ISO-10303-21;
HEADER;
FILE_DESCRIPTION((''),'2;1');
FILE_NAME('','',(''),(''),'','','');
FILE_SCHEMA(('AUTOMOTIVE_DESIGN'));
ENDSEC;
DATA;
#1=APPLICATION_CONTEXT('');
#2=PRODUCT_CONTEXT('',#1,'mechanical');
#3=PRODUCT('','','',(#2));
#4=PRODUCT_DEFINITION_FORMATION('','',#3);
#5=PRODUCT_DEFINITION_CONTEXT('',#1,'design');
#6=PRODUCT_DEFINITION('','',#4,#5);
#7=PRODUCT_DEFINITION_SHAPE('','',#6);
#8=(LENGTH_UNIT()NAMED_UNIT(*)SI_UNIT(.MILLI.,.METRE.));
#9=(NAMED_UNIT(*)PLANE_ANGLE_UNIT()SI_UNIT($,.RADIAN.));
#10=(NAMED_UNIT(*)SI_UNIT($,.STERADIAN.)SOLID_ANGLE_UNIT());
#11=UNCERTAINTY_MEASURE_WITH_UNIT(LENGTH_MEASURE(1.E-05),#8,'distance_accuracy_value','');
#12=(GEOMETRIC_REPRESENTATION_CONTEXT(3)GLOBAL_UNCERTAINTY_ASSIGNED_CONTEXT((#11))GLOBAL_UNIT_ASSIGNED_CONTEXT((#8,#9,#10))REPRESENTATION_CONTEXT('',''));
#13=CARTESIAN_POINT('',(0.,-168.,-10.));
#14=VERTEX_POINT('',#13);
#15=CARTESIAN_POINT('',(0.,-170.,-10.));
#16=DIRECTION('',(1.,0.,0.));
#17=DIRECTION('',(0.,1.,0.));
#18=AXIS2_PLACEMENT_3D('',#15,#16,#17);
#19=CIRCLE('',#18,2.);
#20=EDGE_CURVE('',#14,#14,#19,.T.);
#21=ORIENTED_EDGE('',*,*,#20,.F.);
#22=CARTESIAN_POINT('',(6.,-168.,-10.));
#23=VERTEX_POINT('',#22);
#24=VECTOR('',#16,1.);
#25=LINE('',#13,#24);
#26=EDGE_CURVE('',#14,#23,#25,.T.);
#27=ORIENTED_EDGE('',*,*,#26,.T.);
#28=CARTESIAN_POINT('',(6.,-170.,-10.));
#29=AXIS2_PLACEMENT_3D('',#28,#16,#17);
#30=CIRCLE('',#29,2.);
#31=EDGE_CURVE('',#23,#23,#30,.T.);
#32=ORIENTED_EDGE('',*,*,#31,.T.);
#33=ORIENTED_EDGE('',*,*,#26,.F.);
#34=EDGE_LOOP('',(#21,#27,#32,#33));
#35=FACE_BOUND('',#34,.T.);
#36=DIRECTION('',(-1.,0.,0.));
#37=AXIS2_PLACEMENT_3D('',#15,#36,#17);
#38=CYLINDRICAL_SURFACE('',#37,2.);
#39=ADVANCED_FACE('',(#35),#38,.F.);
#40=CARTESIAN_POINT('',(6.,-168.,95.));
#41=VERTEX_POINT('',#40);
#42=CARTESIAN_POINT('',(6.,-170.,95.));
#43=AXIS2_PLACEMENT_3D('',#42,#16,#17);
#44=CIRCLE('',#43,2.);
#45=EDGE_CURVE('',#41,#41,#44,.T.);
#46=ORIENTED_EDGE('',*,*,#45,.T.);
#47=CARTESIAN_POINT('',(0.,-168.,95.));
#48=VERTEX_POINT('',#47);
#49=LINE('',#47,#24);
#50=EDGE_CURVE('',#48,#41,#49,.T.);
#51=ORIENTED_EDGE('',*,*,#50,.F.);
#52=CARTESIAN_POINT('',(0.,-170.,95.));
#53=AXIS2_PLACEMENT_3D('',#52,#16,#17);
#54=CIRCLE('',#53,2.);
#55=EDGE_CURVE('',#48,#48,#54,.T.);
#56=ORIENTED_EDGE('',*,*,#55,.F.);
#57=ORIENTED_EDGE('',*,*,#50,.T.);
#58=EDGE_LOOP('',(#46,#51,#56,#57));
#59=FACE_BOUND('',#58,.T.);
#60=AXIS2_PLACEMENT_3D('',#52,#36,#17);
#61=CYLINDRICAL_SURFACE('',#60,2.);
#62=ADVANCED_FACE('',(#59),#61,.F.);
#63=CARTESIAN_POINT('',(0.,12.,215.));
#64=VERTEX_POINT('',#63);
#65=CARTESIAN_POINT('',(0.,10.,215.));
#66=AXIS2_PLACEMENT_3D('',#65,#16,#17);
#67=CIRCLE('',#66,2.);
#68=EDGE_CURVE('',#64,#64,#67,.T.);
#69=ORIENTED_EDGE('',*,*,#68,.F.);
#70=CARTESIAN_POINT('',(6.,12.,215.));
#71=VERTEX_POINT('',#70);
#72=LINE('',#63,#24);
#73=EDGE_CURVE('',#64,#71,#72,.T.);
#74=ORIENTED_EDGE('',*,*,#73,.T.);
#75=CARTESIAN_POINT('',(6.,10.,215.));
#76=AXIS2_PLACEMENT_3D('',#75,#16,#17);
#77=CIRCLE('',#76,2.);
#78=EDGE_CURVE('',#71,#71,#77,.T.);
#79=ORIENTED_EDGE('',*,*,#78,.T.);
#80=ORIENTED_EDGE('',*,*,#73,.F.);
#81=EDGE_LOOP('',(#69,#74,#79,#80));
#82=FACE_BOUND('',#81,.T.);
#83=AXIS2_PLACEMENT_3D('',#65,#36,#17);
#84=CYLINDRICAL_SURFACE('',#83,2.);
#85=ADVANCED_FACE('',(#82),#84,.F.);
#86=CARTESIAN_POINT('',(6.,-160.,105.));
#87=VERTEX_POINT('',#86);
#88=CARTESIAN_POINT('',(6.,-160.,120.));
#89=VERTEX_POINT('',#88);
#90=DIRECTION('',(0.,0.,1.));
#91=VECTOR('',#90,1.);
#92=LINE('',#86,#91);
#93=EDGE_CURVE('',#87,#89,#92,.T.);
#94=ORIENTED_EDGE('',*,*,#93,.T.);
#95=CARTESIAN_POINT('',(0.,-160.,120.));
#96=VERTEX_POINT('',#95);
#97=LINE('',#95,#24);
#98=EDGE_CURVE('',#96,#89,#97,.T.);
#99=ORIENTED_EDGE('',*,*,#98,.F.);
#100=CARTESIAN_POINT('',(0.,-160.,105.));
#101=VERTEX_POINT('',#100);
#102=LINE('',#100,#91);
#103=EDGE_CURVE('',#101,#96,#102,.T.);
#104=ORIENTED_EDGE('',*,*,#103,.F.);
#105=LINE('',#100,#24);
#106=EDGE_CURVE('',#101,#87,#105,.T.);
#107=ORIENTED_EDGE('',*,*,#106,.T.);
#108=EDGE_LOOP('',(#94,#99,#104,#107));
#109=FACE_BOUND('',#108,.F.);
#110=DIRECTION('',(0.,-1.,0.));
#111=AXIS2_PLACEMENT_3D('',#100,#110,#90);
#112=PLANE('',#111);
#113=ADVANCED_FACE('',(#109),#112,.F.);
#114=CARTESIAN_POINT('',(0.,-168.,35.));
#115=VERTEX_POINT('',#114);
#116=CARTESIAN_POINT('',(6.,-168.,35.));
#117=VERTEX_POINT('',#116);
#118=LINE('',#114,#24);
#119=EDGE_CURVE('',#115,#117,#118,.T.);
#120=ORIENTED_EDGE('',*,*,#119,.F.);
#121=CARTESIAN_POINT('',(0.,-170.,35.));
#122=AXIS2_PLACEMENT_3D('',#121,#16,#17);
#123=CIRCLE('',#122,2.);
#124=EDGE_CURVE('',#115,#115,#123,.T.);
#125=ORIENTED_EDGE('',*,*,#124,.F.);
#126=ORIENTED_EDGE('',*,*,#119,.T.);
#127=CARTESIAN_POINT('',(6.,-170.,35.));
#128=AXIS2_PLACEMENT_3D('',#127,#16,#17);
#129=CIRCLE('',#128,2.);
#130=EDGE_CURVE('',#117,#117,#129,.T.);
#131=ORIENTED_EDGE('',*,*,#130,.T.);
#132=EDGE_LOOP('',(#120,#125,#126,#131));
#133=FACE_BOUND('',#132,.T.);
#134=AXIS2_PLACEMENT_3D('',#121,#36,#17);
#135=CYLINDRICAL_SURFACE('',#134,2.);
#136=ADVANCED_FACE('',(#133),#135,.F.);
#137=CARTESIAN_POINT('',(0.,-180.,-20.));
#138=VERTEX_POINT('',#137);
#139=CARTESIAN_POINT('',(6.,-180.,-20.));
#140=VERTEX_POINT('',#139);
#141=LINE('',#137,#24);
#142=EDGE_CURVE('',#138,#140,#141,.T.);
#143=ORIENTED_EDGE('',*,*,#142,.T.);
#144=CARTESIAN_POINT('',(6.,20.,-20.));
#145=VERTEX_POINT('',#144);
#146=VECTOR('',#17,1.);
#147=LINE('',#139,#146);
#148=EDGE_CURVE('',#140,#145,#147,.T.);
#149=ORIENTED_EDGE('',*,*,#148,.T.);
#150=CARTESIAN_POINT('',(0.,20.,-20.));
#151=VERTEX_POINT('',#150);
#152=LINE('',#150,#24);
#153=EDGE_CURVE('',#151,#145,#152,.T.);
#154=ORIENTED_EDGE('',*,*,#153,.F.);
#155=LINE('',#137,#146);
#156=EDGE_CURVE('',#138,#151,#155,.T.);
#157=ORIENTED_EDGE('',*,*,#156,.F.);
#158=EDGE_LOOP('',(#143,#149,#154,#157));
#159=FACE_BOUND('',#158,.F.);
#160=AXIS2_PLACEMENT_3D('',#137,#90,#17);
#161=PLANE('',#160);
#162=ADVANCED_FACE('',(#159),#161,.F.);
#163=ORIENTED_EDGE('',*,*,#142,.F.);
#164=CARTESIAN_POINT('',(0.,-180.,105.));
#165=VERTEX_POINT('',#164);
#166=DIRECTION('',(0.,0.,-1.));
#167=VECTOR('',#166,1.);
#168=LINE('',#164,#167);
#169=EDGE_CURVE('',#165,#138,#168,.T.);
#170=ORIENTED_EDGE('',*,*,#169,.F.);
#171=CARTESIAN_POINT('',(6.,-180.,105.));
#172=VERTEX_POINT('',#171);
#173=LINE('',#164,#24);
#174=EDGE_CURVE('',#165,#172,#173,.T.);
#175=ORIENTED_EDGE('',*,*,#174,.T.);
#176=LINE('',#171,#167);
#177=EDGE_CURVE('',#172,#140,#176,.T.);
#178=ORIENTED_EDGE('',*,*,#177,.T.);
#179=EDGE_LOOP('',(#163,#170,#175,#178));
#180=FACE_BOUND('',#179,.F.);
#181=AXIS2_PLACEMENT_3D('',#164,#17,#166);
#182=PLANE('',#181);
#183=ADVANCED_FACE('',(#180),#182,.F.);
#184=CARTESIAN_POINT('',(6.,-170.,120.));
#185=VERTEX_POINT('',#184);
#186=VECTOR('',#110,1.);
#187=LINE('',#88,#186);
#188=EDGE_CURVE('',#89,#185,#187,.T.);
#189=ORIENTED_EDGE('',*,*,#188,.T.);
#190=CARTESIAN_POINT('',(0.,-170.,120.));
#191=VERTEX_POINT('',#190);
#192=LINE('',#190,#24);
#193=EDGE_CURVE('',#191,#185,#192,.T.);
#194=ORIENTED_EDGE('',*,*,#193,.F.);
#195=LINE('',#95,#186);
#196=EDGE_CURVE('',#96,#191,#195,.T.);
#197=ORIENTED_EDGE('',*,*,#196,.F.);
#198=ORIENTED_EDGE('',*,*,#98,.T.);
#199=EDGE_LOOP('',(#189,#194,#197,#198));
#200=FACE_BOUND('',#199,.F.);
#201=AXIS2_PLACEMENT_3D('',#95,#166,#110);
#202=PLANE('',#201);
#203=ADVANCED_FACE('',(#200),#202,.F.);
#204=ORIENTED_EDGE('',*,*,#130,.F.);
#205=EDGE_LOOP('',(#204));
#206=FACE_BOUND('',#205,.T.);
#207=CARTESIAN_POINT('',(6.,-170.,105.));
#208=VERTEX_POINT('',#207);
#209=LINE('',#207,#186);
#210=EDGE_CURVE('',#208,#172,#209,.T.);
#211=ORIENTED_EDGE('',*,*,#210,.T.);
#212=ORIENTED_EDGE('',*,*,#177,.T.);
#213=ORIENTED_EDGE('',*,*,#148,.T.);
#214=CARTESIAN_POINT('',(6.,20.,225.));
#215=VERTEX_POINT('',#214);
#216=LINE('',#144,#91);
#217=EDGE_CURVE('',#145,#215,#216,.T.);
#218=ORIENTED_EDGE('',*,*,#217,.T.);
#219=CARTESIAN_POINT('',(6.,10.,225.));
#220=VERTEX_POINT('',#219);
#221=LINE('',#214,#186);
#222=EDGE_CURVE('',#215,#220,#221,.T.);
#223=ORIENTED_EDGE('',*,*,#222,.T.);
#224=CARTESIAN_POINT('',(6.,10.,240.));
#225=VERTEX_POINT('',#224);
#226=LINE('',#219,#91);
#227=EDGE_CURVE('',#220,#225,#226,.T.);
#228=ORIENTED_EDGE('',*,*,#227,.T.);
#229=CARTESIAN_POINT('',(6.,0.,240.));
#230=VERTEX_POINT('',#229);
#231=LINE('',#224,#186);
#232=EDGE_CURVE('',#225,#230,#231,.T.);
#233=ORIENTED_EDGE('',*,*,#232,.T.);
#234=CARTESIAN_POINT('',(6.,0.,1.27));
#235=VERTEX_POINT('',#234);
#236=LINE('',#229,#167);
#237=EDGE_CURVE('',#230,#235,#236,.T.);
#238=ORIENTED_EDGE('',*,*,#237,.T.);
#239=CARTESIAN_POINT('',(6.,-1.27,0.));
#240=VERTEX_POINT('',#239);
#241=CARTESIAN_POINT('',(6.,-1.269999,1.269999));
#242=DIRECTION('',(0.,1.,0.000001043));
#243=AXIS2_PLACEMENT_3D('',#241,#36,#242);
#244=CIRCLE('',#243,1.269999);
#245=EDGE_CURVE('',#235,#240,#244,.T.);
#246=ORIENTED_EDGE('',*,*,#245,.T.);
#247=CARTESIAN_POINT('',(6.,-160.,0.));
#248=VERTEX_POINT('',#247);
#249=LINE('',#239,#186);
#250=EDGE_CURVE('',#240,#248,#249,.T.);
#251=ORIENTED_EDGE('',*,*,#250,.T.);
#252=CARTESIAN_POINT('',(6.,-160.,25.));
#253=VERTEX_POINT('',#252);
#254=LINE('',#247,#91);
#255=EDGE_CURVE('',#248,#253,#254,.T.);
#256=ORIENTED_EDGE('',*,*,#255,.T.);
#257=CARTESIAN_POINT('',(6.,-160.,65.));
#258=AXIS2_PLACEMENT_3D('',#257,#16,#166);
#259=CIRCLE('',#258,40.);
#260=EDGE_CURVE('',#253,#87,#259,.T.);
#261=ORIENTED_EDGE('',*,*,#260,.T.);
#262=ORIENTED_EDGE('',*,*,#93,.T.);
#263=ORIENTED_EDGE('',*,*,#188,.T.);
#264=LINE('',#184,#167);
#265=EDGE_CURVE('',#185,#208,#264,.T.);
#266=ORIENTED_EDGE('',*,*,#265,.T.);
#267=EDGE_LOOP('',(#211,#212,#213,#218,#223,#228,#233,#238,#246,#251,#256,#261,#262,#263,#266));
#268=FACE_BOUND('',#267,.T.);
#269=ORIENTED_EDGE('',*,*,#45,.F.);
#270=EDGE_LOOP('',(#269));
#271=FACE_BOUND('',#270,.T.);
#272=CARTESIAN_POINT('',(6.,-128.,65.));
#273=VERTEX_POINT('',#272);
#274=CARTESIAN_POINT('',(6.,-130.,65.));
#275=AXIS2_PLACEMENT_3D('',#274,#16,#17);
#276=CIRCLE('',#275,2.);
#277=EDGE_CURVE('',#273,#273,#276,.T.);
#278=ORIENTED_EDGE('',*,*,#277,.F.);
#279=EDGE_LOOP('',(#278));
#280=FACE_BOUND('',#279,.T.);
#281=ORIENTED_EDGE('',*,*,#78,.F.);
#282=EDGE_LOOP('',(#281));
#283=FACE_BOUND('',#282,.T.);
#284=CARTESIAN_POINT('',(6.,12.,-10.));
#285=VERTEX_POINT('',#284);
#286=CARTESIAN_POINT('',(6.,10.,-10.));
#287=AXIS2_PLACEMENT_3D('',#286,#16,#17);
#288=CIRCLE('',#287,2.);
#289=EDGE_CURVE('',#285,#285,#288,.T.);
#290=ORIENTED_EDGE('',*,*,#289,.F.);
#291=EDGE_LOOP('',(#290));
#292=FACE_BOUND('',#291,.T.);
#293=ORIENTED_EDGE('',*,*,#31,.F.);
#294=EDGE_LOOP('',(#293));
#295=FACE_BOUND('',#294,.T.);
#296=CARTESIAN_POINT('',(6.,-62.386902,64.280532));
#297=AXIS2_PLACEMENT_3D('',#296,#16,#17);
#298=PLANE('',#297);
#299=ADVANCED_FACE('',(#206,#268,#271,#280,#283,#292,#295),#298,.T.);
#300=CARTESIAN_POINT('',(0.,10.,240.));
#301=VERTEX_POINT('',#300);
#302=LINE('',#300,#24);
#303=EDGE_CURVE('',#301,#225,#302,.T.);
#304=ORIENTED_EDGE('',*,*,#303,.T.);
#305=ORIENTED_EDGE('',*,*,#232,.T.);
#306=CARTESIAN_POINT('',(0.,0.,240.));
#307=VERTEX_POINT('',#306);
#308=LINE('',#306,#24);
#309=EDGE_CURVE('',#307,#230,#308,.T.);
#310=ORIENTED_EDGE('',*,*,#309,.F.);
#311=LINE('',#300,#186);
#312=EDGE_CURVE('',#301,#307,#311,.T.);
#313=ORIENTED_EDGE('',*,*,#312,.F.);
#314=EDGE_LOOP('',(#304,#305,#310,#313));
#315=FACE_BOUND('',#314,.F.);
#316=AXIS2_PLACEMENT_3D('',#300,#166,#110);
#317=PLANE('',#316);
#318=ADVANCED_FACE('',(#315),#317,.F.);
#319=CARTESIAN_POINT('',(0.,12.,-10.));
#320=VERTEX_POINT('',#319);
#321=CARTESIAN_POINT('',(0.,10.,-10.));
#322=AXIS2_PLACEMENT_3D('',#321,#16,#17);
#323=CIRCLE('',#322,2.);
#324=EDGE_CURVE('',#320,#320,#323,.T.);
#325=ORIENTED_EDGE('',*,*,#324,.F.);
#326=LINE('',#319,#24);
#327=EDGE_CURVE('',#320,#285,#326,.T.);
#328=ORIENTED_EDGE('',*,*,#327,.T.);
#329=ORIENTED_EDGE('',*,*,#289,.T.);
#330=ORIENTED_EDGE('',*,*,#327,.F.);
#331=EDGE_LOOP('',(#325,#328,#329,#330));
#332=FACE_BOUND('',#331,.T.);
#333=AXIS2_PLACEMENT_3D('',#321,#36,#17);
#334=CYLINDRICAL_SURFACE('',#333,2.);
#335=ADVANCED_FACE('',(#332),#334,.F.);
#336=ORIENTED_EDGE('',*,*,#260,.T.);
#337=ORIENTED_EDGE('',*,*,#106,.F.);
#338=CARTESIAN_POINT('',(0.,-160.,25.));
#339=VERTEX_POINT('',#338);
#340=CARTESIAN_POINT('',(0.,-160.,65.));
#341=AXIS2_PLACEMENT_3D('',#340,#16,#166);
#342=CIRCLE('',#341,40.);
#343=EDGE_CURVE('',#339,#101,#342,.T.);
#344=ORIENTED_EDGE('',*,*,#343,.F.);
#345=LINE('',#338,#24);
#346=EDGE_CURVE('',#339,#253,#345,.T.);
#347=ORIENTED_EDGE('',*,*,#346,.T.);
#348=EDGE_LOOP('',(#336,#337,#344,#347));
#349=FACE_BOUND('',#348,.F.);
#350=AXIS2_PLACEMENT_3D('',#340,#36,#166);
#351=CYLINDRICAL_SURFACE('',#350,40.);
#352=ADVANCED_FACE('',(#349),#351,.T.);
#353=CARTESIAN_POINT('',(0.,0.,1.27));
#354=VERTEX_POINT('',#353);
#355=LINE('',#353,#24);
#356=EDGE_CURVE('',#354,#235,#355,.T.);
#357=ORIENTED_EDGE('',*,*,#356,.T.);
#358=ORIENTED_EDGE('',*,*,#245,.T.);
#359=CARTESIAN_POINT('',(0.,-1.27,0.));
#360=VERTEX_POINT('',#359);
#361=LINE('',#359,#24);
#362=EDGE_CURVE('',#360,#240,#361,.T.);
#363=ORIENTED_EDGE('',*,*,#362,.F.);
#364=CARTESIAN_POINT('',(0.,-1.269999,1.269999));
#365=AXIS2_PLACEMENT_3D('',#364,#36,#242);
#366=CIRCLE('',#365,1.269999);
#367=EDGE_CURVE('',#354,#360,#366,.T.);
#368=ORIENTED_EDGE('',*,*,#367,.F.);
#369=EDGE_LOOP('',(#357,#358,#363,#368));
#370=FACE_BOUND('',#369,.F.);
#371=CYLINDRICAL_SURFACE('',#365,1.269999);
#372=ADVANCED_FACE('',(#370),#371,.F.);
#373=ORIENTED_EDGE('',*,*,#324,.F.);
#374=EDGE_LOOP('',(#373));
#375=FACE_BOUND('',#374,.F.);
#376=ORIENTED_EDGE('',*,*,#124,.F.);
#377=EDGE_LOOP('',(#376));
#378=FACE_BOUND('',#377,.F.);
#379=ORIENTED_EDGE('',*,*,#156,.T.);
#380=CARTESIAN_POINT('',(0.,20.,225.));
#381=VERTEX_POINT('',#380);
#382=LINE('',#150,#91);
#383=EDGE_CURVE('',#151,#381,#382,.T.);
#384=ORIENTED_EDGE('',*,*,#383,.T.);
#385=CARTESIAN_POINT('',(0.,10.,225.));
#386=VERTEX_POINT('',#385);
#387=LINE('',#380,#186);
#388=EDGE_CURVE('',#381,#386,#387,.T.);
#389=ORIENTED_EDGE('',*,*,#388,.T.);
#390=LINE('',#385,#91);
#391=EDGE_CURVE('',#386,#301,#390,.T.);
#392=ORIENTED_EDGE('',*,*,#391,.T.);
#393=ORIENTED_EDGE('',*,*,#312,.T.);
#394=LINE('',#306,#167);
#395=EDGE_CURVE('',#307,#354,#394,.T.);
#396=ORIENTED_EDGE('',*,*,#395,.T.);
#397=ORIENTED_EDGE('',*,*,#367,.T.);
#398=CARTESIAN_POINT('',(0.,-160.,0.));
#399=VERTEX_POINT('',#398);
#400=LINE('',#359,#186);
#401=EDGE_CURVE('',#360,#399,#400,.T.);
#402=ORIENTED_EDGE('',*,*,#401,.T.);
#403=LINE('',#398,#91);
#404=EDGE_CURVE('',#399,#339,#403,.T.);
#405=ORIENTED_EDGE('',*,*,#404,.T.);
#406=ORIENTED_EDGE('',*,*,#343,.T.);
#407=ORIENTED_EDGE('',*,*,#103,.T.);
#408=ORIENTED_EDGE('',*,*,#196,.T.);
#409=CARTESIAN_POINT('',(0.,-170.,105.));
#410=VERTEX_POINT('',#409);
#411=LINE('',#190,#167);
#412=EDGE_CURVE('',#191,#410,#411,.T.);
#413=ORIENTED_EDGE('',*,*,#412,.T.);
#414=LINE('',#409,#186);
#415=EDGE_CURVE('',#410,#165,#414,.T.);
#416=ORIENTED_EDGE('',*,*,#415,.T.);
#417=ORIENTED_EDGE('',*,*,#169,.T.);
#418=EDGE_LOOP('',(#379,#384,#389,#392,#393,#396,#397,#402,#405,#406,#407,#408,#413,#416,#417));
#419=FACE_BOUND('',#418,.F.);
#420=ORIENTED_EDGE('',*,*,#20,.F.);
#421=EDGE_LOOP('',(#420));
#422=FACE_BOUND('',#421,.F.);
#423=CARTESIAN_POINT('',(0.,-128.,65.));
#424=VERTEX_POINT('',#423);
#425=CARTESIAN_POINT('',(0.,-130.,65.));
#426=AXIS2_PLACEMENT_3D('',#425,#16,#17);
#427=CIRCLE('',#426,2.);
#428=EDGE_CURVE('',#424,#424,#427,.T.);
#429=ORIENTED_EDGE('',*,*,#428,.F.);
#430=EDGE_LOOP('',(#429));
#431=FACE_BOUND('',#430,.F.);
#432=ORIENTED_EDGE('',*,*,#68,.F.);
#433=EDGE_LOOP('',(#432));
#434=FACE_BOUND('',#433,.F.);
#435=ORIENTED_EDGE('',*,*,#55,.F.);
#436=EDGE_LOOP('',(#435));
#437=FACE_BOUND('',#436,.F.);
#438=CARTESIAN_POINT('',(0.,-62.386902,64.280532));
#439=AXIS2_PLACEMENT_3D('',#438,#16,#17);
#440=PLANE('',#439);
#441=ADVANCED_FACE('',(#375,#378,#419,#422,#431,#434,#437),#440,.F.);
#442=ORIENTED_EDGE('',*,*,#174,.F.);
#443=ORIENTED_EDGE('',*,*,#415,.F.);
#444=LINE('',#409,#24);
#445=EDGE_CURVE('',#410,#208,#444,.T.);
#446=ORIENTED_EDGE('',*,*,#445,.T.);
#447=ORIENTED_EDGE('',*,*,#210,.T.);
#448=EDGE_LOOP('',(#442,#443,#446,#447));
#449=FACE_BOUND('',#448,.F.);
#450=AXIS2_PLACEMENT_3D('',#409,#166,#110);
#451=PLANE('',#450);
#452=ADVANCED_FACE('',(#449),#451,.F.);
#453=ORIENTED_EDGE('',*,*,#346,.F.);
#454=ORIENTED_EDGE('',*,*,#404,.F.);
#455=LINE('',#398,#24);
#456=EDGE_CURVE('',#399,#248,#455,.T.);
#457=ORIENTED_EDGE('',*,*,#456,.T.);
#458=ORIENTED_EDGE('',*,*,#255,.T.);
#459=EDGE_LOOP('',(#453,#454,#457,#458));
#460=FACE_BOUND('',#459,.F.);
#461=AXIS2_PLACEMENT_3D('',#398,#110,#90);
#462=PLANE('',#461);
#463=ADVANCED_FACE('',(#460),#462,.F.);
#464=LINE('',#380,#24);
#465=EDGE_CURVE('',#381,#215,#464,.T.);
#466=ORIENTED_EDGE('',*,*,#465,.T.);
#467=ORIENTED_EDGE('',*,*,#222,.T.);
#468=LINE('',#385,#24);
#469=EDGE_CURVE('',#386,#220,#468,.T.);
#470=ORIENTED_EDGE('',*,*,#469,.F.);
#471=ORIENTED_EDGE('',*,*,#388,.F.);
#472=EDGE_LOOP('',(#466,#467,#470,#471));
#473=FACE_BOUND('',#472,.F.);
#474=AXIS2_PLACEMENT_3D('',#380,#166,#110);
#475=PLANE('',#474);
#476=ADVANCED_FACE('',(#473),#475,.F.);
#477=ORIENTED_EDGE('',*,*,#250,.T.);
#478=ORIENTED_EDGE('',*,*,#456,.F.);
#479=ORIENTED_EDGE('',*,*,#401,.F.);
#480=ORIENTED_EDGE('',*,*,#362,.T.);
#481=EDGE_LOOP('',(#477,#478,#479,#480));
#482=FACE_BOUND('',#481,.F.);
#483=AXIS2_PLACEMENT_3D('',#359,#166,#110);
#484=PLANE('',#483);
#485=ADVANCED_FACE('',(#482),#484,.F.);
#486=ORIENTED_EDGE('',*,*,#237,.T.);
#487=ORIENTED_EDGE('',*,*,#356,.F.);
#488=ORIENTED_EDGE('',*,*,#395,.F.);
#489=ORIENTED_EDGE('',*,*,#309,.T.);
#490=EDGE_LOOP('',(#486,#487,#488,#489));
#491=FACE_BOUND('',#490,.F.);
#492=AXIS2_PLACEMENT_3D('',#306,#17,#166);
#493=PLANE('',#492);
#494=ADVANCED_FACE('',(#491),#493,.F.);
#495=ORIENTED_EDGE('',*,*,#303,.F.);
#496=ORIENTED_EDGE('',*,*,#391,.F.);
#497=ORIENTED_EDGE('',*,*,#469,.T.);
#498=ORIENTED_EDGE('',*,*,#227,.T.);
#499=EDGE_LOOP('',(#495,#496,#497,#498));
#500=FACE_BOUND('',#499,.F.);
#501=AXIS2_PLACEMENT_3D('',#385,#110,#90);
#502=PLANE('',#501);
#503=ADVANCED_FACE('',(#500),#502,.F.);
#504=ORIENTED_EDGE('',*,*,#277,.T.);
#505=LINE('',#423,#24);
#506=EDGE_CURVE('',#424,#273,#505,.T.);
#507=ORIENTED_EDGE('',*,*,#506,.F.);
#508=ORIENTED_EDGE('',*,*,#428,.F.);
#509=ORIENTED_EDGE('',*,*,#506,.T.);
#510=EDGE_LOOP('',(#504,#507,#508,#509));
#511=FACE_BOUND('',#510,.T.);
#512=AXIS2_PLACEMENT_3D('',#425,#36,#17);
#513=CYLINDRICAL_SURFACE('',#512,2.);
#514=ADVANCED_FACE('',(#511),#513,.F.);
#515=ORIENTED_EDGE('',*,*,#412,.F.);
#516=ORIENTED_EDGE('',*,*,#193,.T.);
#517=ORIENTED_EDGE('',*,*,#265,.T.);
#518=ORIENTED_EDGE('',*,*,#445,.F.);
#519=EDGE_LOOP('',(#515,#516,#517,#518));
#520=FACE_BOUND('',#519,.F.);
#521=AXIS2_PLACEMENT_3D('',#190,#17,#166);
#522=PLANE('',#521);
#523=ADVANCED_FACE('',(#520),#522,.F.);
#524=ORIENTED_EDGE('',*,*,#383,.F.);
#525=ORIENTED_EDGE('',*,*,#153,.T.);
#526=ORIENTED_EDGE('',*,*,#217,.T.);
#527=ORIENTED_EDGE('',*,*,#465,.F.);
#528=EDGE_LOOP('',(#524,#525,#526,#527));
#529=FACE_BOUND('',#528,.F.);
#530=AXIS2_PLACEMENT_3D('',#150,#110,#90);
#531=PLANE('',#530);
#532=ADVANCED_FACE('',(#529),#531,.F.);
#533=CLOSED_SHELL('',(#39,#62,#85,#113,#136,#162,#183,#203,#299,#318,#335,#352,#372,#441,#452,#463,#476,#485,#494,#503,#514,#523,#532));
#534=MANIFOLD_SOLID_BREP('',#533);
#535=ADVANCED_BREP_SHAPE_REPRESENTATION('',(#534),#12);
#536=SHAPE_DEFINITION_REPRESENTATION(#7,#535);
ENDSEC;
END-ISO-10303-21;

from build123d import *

# Parameters (mm, degrees)
F0_R     = 2
F1_DEPTH = 6


with BuildPart() as f1:
    # F0 (on Right) → F1 (new body)
    with BuildSketch(Plane.YZ):
        with BuildLine():
            ThreePointArc((0, 1.27), (-0.371974, 0.371974), (-1.27, 0))
            Line((-1.27, 0), (-160, 0))
            Line((-160, 0), (-160, 25))
            ThreePointArc((-160, 25), (-120, 65), (-160, 105))
            Line((-160, 105), (-160, 120))
            Line((-160, 120), (-170, 120))
            Line((-170, 120), (-170, 105))
            Line((-170, 105), (-180, 105))
            Line((-180, 105), (-180, -20))
            Line((-180, -20), (20, -20))
            Line((20, -20), (20, 225))
            Line((20, 225), (10, 225))
            Line((10, 225), (10, 240))
            Line((10, 240), (0, 240))
            Line((0, 240), (0, 1.27))
        make_face()
        with Locations((-170, -10)):
            Circle(F0_R, mode=Mode.SUBTRACT)
        with Locations((-170, 35)):
            Circle(F0_R, mode=Mode.SUBTRACT)
        with Locations((-170, 95)):
            Circle(F0_R, mode=Mode.SUBTRACT)
        with Locations((-130, 65)):
            Circle(F0_R, mode=Mode.SUBTRACT)
        with Locations((10, -10)):
            Circle(F0_R, mode=Mode.SUBTRACT)
        with Locations((10, 215)):
            Circle(F0_R, mode=Mode.SUBTRACT)
    extrude(amount=F1_DEPTH)


solid = f1.part
